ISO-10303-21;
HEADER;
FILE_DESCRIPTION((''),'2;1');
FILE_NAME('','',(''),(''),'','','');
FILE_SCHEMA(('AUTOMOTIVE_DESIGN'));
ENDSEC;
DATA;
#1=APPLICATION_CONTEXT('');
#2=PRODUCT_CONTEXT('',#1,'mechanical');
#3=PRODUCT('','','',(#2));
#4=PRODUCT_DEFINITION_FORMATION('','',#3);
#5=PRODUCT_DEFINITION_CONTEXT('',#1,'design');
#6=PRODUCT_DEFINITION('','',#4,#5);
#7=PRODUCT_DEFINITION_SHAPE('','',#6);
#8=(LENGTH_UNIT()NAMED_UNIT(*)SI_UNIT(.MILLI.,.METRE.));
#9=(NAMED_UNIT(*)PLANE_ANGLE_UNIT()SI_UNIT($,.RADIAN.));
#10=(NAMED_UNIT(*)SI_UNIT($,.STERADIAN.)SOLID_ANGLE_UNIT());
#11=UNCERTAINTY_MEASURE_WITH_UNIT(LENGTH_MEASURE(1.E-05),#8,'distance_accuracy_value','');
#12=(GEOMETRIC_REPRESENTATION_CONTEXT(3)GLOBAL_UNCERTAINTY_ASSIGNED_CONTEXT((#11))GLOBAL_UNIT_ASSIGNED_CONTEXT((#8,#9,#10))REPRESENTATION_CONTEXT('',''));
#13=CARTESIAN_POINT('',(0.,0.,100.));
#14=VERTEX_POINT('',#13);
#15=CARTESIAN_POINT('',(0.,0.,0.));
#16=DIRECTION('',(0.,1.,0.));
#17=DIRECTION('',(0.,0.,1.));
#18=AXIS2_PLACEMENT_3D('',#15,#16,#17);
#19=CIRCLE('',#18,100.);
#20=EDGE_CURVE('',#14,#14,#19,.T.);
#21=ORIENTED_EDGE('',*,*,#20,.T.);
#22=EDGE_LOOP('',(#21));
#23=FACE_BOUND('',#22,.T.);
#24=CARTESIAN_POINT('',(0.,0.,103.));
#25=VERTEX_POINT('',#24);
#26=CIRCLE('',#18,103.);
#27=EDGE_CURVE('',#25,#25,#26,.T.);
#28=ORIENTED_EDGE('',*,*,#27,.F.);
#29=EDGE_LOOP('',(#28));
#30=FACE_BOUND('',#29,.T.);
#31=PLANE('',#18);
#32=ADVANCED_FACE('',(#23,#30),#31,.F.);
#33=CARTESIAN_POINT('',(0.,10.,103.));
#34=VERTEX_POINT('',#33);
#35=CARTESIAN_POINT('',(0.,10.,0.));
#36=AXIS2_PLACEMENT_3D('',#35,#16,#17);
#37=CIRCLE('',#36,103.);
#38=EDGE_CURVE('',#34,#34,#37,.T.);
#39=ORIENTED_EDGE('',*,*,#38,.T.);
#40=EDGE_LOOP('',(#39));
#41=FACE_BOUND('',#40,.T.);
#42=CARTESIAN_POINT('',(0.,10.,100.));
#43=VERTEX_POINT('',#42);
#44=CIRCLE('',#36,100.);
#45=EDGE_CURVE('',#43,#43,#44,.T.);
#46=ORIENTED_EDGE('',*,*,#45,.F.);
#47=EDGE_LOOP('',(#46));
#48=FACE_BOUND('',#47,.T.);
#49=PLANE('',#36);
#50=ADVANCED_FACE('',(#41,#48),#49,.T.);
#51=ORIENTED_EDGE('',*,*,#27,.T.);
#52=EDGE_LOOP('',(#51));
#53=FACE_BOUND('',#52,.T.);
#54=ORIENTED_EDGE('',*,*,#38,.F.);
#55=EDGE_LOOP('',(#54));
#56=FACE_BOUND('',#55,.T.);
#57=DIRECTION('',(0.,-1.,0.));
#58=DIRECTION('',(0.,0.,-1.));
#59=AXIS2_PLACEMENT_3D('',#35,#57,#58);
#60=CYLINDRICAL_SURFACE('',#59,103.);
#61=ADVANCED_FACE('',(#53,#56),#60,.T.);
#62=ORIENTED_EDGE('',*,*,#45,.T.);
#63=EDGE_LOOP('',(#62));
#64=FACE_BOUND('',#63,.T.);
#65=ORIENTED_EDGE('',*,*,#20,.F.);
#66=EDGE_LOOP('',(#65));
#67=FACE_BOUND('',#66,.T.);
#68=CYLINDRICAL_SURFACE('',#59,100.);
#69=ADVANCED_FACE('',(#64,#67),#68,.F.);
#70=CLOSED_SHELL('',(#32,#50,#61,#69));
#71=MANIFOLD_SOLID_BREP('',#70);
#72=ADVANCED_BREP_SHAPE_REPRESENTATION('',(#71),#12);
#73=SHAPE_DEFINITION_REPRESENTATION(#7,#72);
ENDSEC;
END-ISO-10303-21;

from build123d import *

# Parameters (mm, degrees)
SKETCH1_R           = 103
SKETCH1_R_2         = 100
BOSS_EXTRUDE1_DEPTH = 10


with BuildPart() as part:
    # Sketch1 → Boss-Extrude1 (new body)
    with BuildSketch(Plane(origin=(0, 0, 0), x_dir=(1, 0, 0), z_dir=(0, 1, 0))):
        with Locations(Location((0, 0, 0), (0, 0, 270))):
            Circle(SKETCH1_R)
        with Locations(Location((0, 0, 0), (0, 0, 270))):
            Circle(SKETCH1_R_2, mode=Mode.SUBTRACT)
    extrude(amount=BOSS_EXTRUDE1_DEPTH)


solid = part.part
